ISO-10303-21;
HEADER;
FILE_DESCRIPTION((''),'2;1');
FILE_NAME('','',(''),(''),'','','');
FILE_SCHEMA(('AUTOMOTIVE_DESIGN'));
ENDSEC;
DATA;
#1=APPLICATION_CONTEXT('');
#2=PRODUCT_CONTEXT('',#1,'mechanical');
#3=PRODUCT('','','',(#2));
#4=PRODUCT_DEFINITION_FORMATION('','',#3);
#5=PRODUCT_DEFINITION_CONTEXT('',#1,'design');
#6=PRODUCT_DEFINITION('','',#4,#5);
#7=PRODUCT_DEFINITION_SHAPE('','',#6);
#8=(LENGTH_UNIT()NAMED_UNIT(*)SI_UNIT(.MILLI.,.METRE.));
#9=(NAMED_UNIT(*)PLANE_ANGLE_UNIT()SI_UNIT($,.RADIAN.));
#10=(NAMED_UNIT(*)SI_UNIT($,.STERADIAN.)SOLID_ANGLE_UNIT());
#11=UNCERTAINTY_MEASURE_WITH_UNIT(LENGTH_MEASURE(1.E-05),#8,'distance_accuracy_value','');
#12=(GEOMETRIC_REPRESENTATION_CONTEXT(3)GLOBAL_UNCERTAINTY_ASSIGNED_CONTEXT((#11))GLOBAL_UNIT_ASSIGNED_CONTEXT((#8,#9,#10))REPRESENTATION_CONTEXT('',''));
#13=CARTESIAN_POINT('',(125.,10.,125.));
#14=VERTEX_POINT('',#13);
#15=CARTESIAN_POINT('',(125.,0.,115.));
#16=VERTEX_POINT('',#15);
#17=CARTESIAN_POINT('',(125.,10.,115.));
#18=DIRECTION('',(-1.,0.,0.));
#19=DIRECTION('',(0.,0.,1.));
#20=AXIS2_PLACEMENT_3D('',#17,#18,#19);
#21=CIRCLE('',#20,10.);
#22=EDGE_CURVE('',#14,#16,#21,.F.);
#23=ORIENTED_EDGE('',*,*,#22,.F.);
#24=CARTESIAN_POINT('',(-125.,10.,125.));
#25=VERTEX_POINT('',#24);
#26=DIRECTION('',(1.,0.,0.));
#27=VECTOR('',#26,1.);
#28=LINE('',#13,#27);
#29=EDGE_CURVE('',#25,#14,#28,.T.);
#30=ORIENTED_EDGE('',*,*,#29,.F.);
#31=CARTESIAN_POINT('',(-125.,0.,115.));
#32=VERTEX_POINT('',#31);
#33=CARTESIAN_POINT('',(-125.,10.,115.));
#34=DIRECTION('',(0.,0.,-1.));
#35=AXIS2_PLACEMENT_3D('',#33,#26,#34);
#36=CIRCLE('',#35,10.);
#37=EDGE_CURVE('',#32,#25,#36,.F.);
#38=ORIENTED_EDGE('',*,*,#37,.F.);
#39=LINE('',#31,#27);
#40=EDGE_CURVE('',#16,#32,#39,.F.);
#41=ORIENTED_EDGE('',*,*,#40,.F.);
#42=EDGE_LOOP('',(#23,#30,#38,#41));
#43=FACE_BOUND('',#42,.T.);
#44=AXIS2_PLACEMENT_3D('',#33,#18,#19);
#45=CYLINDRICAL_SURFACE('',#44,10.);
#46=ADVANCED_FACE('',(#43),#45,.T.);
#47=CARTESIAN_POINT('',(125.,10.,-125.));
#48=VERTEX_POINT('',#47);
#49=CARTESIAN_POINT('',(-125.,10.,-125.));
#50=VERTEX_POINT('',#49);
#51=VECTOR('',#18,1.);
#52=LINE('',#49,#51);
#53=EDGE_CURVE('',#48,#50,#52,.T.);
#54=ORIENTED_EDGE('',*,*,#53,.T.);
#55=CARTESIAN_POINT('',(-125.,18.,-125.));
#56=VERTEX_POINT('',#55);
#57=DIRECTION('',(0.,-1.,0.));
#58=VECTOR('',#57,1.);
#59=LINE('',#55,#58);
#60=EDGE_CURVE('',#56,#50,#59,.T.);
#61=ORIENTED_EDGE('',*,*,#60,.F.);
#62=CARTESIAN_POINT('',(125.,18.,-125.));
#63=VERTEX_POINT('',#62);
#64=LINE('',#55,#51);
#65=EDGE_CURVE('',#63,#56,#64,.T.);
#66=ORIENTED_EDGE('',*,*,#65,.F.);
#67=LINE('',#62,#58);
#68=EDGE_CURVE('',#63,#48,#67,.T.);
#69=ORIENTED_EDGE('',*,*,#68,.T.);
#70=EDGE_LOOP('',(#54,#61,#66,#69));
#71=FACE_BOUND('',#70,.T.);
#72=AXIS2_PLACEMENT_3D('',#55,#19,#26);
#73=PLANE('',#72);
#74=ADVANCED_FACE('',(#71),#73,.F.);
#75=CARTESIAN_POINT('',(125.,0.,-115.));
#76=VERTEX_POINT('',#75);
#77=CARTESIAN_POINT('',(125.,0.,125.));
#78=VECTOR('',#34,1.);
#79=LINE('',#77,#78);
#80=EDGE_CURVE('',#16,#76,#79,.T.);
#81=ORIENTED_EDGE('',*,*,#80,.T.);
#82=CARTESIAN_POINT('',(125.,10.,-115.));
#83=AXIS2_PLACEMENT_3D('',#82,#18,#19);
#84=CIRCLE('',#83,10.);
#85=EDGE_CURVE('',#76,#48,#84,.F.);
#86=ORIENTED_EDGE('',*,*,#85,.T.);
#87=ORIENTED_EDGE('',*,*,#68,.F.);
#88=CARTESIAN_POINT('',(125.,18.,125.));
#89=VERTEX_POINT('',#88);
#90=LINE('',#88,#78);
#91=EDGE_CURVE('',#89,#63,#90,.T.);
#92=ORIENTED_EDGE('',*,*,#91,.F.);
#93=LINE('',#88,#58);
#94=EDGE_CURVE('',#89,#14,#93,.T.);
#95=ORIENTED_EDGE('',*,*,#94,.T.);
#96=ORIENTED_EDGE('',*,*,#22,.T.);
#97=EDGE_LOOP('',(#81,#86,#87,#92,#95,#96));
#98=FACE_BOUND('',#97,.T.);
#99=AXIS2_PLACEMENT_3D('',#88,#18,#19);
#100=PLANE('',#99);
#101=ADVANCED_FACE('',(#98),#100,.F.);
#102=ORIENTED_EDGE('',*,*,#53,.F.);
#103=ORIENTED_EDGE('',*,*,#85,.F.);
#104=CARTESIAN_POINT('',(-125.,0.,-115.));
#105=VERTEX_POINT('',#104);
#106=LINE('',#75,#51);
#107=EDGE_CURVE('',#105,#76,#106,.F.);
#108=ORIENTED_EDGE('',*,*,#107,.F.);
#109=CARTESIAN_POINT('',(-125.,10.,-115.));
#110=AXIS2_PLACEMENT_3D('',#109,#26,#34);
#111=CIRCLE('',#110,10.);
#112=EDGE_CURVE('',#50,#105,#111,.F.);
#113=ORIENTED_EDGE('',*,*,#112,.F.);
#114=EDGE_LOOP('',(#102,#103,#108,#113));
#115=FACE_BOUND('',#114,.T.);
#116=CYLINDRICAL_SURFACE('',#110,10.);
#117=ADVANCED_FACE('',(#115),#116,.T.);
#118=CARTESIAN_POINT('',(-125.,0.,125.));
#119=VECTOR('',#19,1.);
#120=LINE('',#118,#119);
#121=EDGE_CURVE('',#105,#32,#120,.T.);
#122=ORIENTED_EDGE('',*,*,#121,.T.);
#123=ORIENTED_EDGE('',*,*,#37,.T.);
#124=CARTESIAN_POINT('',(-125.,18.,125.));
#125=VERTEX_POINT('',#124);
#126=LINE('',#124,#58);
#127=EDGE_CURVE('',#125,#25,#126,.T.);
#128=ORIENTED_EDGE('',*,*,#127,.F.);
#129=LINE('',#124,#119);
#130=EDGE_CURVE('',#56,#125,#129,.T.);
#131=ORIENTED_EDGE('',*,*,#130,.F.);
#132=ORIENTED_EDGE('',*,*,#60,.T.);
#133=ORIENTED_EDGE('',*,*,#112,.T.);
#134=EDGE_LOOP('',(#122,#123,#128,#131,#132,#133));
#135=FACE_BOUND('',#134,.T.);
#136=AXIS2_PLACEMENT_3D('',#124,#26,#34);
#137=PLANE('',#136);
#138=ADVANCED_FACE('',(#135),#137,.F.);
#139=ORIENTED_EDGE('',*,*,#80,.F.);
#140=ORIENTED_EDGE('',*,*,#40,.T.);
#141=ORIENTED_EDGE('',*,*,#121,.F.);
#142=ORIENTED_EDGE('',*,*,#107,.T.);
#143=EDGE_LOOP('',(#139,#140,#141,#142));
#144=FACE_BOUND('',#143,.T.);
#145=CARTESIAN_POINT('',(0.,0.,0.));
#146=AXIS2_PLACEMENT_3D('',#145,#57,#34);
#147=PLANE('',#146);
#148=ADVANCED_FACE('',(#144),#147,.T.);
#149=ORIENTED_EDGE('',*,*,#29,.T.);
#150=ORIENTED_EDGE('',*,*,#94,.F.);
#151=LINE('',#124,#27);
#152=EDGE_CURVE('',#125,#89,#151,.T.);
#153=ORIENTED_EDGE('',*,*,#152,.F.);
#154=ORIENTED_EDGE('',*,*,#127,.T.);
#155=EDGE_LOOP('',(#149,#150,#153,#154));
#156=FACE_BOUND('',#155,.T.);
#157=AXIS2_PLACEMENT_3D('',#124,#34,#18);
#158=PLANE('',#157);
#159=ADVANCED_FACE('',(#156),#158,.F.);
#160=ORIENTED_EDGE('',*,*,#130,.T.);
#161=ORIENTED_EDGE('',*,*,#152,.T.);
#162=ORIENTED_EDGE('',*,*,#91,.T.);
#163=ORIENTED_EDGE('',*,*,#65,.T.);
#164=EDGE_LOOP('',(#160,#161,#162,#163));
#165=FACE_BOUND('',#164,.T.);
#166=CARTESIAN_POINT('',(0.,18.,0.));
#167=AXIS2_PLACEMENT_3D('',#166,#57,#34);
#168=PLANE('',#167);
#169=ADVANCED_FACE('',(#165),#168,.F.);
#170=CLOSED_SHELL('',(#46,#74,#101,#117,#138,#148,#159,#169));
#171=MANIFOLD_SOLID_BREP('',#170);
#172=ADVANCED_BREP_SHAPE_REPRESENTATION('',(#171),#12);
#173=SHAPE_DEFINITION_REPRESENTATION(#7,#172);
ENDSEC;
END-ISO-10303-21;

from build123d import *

# Parameters (mm, degrees)
SKETCH_1_W      = 250
SKETCH_1_H      = 250
EXTRUDE_1_DEPTH = 18
FILLET_1_R      = 10


with BuildPart() as part:
    # 草图1 → 凸台-拉伸1 (new body)
    with BuildSketch(Plane(origin=(0, 0, 0), x_dir=(1, 0, 0), z_dir=(0, 1, 0))):
        Rectangle(SKETCH_1_W, SKETCH_1_H)
    extrude(amount=EXTRUDE_1_DEPTH)

    # 圆角1
    fillet_1_edges = [part.edges().sort_by_distance(p)[0] for p in [
        (0, 0, -125),
        (0, 0, 125),
    ]]
    fillet(fillet_1_edges, radius=FILLET_1_R)


solid = part.part
